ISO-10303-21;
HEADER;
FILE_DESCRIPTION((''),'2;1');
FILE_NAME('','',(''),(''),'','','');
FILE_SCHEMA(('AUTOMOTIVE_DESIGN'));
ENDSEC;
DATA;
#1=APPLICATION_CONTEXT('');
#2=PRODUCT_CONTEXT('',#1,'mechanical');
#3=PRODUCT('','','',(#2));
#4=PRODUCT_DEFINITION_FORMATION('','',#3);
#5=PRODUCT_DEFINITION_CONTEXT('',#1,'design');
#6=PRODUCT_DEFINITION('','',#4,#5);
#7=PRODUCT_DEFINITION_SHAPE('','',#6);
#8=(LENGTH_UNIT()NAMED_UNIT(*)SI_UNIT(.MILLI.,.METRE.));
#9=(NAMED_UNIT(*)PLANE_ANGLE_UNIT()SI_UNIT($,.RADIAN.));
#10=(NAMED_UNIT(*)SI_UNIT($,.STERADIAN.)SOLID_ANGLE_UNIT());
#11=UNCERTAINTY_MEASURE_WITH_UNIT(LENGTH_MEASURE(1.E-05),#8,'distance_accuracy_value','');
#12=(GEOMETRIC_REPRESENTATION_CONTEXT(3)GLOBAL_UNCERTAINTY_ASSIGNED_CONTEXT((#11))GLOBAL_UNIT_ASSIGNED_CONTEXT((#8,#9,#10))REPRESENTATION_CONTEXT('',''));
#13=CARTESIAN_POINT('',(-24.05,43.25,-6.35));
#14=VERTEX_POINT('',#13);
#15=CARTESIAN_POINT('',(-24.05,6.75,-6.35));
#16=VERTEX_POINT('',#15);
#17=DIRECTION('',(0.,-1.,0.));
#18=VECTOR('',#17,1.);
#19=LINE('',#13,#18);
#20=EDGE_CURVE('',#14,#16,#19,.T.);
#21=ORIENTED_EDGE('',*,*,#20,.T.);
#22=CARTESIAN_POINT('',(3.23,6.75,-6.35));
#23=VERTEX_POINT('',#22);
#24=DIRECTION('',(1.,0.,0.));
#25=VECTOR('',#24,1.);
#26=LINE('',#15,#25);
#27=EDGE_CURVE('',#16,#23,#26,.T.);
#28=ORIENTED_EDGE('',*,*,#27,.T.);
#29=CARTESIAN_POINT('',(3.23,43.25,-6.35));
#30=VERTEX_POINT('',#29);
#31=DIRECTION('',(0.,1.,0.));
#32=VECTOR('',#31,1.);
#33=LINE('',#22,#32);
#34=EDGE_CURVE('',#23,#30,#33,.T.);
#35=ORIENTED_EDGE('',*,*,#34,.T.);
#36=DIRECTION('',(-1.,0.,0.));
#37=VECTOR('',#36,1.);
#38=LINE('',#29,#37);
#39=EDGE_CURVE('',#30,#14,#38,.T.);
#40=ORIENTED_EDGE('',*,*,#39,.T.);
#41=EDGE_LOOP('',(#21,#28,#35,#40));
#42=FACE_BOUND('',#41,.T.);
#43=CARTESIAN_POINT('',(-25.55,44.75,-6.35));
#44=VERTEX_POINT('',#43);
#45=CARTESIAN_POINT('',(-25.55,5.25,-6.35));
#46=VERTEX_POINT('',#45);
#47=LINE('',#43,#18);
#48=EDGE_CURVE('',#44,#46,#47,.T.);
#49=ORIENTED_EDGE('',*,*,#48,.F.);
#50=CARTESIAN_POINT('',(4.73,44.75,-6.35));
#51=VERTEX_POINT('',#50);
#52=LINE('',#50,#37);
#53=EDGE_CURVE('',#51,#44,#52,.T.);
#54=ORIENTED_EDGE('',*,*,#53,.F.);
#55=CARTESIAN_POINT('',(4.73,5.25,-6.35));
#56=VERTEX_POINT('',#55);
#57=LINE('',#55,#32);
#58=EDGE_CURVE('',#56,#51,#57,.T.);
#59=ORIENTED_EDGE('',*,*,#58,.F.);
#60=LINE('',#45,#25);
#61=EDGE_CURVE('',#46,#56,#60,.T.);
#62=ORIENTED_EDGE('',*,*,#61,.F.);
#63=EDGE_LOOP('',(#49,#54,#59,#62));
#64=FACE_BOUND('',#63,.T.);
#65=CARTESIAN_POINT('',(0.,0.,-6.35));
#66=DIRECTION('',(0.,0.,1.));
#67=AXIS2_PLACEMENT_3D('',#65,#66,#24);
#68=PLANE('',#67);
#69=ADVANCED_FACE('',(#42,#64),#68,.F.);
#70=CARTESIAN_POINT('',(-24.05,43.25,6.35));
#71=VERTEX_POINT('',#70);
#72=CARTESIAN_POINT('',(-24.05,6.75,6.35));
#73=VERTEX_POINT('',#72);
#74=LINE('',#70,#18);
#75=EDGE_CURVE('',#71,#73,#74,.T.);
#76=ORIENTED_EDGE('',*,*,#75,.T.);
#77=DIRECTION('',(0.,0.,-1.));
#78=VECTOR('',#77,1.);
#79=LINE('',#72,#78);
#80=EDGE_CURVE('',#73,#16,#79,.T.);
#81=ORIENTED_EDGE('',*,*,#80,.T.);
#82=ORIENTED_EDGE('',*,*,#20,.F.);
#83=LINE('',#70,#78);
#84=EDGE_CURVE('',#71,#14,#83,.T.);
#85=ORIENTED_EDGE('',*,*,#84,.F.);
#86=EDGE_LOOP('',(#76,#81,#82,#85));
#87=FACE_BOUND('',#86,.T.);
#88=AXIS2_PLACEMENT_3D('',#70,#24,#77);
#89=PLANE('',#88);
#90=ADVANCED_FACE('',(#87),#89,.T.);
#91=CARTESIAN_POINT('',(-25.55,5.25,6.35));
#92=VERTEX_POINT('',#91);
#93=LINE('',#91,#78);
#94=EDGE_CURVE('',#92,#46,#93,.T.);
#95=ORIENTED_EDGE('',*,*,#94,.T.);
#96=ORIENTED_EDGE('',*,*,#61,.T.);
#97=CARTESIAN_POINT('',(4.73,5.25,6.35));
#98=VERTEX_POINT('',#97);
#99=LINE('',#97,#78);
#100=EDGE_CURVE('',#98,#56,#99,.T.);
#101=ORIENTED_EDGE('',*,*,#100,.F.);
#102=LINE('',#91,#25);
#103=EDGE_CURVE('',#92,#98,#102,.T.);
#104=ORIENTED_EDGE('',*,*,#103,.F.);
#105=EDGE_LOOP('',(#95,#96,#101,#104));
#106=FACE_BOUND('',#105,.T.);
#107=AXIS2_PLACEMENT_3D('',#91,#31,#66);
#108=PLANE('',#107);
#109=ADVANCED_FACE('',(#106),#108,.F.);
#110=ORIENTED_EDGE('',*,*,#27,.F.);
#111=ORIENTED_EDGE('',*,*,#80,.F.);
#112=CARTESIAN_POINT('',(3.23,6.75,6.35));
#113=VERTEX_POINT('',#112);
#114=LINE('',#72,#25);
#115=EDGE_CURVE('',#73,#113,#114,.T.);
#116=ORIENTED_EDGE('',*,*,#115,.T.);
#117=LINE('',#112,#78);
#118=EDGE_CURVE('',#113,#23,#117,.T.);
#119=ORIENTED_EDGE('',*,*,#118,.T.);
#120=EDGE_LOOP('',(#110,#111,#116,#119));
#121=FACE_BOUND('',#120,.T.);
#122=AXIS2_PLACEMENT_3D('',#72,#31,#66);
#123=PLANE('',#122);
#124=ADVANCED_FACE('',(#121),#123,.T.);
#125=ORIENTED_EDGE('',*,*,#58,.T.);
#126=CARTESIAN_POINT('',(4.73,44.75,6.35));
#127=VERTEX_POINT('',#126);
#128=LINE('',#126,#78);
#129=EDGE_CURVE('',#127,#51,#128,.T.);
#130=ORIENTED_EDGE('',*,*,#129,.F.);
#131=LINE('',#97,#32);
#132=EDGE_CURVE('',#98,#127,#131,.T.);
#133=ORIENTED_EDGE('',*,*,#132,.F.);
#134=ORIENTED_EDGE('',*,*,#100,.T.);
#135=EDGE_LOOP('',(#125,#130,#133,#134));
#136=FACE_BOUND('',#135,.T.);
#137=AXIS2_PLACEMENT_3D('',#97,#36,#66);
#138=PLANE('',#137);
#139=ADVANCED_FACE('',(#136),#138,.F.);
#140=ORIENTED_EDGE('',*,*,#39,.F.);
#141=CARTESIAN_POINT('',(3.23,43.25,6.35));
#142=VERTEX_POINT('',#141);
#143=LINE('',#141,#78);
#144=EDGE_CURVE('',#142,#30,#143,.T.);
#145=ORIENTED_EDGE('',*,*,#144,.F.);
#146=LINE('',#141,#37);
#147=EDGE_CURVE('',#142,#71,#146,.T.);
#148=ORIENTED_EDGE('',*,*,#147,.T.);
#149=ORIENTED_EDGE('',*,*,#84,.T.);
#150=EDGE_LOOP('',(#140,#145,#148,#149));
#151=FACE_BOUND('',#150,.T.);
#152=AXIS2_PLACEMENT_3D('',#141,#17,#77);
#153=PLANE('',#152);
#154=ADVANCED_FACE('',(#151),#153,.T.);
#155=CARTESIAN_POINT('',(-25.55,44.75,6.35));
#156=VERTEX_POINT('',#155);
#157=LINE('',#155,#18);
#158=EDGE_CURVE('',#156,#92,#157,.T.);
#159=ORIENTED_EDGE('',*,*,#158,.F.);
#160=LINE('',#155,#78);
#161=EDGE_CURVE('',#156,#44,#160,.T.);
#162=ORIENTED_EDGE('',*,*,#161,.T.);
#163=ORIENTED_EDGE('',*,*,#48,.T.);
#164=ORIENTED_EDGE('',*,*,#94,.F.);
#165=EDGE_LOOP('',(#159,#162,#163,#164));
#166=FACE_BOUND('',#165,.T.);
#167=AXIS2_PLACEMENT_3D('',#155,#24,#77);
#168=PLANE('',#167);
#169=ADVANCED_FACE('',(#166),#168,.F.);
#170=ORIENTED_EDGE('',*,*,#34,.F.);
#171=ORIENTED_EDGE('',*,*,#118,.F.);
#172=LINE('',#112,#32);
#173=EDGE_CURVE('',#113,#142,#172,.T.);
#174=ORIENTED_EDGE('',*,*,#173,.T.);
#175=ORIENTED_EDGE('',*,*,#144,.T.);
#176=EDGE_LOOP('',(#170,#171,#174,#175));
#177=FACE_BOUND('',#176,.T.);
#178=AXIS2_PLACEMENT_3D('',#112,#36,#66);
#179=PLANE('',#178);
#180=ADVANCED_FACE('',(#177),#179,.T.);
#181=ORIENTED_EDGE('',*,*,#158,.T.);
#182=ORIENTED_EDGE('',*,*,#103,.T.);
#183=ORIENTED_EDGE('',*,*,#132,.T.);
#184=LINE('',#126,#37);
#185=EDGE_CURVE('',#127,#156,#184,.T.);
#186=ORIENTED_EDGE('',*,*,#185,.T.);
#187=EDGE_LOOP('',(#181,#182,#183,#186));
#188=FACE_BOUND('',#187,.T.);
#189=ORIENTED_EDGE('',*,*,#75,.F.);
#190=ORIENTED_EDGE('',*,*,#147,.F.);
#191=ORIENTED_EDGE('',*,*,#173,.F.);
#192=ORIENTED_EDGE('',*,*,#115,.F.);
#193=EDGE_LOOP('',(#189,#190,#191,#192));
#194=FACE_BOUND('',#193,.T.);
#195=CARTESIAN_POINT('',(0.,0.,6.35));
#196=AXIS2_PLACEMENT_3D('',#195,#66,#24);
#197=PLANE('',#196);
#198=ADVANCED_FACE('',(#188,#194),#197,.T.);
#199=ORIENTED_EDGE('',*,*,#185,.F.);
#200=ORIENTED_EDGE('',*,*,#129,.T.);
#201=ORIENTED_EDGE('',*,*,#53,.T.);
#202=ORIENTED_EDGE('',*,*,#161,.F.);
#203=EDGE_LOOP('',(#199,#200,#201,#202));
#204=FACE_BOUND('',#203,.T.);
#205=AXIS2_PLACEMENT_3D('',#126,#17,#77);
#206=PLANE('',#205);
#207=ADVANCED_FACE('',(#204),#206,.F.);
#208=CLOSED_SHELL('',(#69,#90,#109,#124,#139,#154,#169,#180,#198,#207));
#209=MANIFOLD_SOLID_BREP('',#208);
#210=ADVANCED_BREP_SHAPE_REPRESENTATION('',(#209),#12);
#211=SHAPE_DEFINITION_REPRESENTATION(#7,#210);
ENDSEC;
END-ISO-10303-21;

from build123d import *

# Parameters (mm, degrees)
STRAP_SKETCH_W   = 30.28
STRAP_SKETCH_H   = 39.5
STRAP_SKETCH_W_2 = 27.28
STRAP_SKETCH_H_2 = 36.5
STRAP_DEPTH      = 6.35


with BuildPart() as part:
    # Strap Sketch → Strap (new, symmetric)
    with BuildSketch(Plane.XY):
        with Locations((-10.41, 25)):
            Rectangle(STRAP_SKETCH_W, STRAP_SKETCH_H)
        with Locations((-10.41, 25)):
            Rectangle(STRAP_SKETCH_W_2, STRAP_SKETCH_H_2, mode=Mode.SUBTRACT)
    extrude(amount=STRAP_DEPTH, both=True)


solid = part.part
